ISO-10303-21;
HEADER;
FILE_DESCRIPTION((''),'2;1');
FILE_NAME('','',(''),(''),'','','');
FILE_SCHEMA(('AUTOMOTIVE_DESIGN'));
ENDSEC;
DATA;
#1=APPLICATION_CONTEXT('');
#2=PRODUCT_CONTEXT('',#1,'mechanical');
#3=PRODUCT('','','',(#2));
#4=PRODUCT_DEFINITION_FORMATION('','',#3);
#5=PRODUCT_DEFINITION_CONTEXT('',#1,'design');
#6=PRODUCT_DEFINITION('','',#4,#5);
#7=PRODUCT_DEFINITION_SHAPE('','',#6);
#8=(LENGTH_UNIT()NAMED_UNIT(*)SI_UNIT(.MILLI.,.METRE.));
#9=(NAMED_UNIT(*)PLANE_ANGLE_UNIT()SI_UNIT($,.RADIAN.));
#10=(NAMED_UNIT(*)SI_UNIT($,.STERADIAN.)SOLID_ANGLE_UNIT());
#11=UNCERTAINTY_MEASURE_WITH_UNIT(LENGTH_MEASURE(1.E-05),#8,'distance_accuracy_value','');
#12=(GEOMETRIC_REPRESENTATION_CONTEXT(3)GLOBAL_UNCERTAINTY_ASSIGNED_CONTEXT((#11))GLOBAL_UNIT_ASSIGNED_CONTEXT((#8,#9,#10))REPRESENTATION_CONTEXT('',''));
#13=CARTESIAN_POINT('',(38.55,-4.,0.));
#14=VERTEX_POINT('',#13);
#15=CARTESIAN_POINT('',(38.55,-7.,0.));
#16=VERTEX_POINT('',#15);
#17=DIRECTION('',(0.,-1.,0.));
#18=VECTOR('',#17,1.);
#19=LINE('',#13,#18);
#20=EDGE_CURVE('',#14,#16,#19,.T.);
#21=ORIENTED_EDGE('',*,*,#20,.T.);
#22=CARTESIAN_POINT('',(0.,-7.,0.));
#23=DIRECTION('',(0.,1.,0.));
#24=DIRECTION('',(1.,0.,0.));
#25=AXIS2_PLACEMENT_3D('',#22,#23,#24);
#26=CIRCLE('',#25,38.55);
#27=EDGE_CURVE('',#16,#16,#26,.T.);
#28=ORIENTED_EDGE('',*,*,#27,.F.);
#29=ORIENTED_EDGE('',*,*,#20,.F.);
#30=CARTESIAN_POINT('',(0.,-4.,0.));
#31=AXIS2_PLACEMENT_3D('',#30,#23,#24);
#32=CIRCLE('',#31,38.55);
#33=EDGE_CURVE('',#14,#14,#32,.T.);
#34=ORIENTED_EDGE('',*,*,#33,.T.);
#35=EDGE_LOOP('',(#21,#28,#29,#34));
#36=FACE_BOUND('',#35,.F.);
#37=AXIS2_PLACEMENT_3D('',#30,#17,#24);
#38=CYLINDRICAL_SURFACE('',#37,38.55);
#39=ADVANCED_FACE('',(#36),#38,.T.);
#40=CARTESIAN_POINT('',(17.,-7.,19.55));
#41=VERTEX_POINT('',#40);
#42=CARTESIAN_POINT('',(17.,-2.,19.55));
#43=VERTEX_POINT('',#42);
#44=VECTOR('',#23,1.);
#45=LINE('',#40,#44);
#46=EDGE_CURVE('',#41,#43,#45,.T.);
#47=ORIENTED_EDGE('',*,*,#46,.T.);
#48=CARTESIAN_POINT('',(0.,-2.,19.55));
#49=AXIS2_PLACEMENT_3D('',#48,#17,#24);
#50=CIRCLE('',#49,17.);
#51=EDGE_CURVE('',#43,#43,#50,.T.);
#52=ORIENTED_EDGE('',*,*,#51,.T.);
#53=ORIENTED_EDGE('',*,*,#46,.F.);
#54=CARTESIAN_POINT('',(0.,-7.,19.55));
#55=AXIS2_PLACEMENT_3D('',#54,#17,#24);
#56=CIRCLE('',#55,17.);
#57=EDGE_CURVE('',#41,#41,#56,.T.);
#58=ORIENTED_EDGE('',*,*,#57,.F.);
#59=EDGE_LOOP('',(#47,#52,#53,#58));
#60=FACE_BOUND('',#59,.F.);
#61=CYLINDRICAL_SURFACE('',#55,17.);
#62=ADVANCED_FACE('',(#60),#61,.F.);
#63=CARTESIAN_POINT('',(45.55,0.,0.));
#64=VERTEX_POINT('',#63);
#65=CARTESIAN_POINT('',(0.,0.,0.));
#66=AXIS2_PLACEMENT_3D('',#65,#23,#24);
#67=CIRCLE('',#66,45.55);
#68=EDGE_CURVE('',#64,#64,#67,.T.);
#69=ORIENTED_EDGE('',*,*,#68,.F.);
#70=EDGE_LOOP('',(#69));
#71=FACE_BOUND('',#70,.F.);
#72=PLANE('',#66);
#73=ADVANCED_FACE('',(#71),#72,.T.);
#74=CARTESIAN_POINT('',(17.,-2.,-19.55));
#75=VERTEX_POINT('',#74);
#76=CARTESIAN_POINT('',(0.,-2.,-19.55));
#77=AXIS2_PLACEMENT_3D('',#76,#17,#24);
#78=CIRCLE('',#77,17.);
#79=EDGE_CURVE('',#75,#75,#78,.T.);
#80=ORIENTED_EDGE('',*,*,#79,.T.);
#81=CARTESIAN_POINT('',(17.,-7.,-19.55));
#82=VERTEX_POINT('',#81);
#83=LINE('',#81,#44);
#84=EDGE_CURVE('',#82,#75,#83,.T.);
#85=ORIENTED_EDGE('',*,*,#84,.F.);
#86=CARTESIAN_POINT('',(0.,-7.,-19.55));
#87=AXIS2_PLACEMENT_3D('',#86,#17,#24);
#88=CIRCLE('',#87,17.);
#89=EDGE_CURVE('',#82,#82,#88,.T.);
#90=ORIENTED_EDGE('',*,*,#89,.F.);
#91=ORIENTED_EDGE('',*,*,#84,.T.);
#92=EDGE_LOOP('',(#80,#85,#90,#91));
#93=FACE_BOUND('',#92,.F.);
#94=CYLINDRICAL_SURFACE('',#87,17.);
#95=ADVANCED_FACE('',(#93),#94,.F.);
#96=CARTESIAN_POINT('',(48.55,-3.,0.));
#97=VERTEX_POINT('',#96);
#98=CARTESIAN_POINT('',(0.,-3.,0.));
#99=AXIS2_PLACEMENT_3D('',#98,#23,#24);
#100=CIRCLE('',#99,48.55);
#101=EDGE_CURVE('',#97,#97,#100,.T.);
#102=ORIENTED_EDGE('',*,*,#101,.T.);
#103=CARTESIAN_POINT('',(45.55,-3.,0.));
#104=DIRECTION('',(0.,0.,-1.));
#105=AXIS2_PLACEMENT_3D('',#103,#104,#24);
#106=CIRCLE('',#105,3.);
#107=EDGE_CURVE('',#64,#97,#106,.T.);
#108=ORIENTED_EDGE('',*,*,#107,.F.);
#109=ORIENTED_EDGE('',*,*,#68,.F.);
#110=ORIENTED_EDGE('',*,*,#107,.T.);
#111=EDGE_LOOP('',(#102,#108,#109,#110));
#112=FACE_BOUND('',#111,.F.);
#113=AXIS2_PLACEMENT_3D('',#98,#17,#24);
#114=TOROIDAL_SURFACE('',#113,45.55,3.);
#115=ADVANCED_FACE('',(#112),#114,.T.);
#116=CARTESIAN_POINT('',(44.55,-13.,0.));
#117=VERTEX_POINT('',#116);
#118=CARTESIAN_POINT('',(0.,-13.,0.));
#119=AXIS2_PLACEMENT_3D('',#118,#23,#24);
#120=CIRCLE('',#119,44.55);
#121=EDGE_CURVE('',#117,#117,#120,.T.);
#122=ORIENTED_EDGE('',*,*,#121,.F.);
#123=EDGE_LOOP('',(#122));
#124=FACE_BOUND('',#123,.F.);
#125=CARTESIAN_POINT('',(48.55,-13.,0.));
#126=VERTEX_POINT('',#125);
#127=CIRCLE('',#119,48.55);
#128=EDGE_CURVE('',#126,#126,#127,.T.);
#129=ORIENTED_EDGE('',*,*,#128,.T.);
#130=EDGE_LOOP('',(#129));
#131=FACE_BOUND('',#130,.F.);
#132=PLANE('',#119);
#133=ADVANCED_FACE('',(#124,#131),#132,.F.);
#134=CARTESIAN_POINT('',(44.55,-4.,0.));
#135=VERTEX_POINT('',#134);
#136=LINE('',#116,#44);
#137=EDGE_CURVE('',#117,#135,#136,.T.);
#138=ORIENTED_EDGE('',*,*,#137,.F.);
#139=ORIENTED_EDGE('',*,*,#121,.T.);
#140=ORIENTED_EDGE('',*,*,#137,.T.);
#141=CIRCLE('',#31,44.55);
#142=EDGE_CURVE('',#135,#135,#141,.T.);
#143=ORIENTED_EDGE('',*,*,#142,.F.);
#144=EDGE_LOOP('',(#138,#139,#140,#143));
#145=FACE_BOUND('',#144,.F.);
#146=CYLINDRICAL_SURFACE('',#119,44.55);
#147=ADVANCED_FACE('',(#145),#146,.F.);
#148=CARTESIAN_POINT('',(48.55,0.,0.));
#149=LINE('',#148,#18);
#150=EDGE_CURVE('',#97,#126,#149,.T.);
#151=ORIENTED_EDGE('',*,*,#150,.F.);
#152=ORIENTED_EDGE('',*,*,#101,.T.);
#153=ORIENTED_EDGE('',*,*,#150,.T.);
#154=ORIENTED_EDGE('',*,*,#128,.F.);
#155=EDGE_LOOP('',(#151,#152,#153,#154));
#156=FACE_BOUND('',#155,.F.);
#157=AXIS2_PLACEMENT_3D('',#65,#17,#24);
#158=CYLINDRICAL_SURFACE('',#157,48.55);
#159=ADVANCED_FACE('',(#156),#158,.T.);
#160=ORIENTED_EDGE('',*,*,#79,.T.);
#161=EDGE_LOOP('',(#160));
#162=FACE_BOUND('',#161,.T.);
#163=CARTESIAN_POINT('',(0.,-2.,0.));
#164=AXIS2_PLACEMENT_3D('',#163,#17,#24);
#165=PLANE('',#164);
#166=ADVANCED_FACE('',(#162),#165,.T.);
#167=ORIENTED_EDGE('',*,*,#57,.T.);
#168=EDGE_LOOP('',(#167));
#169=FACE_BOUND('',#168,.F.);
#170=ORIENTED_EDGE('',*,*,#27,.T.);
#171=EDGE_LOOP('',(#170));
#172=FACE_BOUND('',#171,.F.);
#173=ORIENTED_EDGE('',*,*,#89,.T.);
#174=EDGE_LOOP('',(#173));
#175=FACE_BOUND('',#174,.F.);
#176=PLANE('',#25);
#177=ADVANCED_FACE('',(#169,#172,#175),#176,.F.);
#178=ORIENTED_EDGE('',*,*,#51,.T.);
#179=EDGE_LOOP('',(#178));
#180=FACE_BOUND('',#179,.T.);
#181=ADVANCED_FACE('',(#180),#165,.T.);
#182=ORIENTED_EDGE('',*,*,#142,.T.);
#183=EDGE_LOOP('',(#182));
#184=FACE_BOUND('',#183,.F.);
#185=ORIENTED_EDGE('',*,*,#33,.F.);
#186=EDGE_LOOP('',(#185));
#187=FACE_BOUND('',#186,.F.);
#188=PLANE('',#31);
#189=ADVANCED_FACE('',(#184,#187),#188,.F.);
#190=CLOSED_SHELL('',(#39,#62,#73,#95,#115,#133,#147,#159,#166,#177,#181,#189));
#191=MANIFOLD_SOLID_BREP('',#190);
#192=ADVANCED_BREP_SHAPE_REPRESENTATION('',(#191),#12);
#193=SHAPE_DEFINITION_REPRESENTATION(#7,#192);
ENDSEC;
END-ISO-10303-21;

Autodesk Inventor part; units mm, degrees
ref_plane "YZ Plane" through (0, 0, 0) normal (1, 0, 0) x (0, 1, 0)
ref_plane "XZ Plane" through (0, 0, 0) normal (0, 1, 0) x (-1, 0, 0)
ref_plane "XY Plane" through (0, 0, 0) normal (0, 0, 1) x (1, 0, 0)
sketch "Sketch2" plane through (0, 0, 0) normal (0, 0, 1) x (1, 0, 0)
  line L0 (0, 0) -> (48.55, 0)
  line L1 (48.55, 0) -> (48.55, -13)
  line L2 (48.55, -13) -> (44.55, -13)
  line L3 (44.55, -13) -> (44.55, -4)
  line L4 (44.55, -4) -> (38.55, -4)
  line L5 (38.55, -4) -> (38.55, -7)
  line L6 (38.55, -7) -> (0, -7)
  line L7 (0, -7) -> (0, 0)
  dimension "d0" = 48.55
  dimension "d1" = 4
  dimension "d2" = 6
  dimension "d3" = 13
  dimension "d4" = 4
  dimension "d5" = 7
revolve "Revolution1" add sketch "Sketch2" angle 360 about axis through (0, -7, 0) along (0, 1, 0)
fillet "Fillet1" radius 3 1 edges at (-48.55, 0, 0)
sketch "Sketch3" plane through (0, -7, 0) normal (0, -1, 0) x (1, 0, 0)
  circle A0 centre (0, -19.55) radius 17
  circle A1 centre (0, 0) radius 38.55 projected
  circle A2 centre (0, 19.55) radius 17
  dimension "d8" = 34
  dimension "d11" = 360
  dimension "d15" = 19.55
extrude "Extrusion1" cut sketch "Sketch3" against normal blind 5 contours A0 | A2
properties part number "lid-v1"
